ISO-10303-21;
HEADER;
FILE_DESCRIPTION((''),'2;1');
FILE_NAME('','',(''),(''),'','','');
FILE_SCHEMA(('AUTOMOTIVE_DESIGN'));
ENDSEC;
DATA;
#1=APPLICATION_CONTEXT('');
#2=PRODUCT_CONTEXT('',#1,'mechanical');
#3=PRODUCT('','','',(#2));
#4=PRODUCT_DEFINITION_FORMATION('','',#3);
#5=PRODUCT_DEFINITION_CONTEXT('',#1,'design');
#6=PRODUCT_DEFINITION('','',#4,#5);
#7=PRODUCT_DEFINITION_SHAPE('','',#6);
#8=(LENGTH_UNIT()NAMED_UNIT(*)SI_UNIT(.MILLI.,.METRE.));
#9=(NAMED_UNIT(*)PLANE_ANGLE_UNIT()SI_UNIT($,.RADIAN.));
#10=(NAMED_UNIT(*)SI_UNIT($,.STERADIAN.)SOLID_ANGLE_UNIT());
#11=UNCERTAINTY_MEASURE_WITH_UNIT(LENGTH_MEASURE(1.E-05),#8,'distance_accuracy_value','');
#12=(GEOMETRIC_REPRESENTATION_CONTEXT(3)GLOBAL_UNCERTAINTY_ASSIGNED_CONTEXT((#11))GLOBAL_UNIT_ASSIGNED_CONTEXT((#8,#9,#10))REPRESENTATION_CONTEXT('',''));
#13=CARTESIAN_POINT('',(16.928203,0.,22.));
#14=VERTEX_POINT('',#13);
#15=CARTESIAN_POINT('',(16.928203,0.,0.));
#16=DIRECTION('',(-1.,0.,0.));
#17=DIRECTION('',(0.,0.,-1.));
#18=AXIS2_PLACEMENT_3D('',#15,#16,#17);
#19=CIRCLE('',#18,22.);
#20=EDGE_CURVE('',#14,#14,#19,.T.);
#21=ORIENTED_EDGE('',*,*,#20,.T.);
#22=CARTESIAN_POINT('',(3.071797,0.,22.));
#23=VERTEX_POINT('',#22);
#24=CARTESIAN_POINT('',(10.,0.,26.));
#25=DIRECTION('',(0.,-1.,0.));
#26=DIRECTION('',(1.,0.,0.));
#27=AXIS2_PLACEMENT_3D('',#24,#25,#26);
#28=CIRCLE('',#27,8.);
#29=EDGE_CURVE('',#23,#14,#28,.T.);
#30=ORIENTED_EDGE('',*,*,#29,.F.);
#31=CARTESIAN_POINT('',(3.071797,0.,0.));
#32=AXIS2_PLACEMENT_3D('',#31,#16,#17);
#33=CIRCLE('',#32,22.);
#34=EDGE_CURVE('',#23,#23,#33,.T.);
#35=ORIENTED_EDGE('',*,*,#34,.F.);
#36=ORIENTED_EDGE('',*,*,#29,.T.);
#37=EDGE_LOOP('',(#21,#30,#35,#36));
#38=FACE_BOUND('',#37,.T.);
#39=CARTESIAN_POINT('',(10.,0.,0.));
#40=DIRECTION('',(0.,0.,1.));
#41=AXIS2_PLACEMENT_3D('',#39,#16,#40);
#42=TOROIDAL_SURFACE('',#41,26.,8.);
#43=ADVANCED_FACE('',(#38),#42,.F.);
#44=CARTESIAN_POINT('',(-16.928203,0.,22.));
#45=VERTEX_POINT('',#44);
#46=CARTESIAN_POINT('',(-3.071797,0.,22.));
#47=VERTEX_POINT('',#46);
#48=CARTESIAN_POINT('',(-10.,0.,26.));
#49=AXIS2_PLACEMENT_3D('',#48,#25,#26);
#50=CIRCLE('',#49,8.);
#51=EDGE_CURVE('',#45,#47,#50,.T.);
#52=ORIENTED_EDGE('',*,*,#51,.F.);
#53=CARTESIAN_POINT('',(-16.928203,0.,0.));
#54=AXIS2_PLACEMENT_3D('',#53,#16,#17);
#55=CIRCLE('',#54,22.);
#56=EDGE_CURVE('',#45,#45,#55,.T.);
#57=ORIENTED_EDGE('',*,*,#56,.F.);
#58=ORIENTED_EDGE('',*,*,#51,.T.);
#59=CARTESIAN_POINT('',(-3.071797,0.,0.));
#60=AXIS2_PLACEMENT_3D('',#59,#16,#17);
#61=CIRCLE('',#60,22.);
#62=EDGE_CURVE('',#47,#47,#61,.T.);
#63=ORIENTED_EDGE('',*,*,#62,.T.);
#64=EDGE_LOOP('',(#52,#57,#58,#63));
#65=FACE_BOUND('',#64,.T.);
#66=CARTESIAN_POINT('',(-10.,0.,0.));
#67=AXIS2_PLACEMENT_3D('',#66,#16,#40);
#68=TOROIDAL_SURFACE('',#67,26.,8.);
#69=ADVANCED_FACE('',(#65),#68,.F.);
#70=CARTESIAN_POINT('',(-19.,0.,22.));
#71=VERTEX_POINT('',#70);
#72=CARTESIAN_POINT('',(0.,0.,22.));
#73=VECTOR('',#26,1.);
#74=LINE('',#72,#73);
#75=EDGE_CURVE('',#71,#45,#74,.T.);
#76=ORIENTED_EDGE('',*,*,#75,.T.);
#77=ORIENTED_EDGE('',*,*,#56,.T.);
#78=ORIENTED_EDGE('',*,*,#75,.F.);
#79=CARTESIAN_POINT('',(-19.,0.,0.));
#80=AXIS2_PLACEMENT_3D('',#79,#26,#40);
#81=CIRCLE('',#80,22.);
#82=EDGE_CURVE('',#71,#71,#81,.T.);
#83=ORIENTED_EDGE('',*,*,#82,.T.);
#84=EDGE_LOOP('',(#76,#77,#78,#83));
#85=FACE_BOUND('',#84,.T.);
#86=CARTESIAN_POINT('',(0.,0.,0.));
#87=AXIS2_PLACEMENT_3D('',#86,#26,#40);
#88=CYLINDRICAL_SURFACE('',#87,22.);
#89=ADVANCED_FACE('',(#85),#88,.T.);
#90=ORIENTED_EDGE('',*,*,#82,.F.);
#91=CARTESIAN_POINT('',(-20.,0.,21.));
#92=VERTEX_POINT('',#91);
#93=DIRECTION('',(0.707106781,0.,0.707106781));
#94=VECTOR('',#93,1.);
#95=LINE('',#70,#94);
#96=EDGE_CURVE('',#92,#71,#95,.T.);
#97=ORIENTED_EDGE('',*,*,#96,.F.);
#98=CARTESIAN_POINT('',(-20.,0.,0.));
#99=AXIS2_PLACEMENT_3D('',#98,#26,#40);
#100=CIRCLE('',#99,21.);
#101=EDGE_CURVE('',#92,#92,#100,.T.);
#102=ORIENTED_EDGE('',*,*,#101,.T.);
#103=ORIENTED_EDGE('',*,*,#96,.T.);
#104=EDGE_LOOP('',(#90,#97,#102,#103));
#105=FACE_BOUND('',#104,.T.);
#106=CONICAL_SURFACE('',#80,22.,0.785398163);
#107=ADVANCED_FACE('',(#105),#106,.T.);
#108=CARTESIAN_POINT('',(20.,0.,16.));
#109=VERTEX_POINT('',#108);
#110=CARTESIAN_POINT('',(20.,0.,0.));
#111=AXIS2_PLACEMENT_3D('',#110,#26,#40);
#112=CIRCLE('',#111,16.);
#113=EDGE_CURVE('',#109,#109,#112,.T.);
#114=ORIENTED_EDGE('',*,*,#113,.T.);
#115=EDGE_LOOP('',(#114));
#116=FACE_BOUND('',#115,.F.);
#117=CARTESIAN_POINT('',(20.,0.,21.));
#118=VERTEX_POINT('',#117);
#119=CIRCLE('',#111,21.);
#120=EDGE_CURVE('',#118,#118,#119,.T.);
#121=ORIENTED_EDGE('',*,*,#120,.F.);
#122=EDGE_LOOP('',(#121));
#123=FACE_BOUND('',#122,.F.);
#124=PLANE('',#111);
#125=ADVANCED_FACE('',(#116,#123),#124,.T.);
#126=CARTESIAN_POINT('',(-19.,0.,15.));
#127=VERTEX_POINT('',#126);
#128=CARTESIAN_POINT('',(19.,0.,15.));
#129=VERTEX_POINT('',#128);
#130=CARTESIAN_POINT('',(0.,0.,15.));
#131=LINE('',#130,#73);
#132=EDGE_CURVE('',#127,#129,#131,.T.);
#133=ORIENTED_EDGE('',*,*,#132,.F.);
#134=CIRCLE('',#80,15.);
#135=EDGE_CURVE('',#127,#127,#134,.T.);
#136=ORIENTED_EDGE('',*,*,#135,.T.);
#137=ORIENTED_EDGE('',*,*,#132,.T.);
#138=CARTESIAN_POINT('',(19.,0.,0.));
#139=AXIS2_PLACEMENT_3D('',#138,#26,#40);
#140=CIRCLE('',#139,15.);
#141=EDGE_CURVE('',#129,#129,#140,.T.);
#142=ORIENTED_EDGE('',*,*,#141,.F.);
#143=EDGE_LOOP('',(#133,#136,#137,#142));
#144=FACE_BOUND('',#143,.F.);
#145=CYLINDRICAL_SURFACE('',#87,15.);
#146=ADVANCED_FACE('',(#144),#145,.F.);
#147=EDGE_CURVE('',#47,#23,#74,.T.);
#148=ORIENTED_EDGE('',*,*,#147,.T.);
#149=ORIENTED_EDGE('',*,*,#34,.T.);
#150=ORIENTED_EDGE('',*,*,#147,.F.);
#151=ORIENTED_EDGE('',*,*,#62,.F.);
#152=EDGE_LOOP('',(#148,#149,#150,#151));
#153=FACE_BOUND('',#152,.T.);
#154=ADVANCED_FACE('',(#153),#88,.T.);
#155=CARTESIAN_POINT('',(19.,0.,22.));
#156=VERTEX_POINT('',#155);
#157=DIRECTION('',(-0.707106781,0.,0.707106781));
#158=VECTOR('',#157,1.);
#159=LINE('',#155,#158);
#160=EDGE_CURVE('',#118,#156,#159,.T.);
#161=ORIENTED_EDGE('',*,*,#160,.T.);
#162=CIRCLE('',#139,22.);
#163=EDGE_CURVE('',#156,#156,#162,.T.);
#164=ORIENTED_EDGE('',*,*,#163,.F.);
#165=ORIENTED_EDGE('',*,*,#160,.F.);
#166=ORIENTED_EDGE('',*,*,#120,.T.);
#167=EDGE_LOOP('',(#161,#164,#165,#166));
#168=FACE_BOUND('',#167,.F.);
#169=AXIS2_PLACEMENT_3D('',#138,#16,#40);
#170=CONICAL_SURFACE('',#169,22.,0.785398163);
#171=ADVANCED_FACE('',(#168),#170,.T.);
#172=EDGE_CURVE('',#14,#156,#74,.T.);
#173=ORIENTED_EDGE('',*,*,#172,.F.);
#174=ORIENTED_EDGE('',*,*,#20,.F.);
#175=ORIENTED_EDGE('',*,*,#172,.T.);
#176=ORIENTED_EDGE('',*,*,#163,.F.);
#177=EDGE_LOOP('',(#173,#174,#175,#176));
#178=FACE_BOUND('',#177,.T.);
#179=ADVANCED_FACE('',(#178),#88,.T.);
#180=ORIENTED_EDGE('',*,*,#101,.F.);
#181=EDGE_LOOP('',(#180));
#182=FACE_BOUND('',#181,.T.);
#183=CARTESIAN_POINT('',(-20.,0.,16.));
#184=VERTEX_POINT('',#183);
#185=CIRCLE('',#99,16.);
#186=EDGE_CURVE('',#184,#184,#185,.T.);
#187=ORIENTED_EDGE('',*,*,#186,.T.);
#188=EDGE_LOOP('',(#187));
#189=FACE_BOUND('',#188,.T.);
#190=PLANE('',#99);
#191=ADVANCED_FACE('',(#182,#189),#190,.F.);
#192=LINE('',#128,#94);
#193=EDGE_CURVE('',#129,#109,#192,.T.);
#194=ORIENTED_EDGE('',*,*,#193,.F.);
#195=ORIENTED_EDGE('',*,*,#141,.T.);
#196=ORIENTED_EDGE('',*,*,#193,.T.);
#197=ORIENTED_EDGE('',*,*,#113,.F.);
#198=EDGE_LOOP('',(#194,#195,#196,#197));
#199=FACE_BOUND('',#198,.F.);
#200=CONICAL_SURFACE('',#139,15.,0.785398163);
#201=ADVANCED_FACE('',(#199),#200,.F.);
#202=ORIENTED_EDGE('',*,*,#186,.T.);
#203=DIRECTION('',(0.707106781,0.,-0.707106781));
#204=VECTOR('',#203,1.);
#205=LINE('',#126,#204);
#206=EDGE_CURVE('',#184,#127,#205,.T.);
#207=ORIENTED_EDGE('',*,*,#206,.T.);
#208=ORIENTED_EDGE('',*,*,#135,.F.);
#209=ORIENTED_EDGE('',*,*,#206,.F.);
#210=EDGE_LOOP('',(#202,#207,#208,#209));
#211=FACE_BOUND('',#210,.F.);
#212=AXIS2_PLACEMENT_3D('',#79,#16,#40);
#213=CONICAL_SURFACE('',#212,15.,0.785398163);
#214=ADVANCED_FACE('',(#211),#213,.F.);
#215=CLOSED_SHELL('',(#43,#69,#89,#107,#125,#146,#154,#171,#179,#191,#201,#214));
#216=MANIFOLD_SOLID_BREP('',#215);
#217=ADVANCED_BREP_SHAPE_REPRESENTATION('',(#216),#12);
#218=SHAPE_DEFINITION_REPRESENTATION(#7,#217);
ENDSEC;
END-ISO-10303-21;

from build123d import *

# Parameters (mm, degrees)
F1_W    = 40
F1_H    = 7
F3_SIZE = 1
F0_R    = 8


with BuildPart() as f2:
    # F1 (on Front) → F2 (revolve)
    with BuildSketch(Plane.XZ):
        with Locations((0, 18.5)):
            Rectangle(F1_W, F1_H)
    revolve(axis=Axis((0, 0, 0), (1, 0, 0)))

    # F3
    f3_edges = [f2.edges().sort_by_distance(p)[0] for p in [
        (-20, 0, -22),
        (-20, 0, -15),
        (20, 0, -22),
        (20, 0, -15),
    ]]
    chamfer(f3_edges, length=F3_SIZE)

    # F0 (on Front) → F4 (revolve, cut)
    with BuildSketch(Plane.XZ):
        with Locations((-10, 26)):
            Circle(F0_R)
        with Locations((10, 26)):
            Circle(F0_R)
    revolve(axis=Axis((0, 0, 0), (1, 0, 0)), mode=Mode.SUBTRACT)


solid = f2.part
